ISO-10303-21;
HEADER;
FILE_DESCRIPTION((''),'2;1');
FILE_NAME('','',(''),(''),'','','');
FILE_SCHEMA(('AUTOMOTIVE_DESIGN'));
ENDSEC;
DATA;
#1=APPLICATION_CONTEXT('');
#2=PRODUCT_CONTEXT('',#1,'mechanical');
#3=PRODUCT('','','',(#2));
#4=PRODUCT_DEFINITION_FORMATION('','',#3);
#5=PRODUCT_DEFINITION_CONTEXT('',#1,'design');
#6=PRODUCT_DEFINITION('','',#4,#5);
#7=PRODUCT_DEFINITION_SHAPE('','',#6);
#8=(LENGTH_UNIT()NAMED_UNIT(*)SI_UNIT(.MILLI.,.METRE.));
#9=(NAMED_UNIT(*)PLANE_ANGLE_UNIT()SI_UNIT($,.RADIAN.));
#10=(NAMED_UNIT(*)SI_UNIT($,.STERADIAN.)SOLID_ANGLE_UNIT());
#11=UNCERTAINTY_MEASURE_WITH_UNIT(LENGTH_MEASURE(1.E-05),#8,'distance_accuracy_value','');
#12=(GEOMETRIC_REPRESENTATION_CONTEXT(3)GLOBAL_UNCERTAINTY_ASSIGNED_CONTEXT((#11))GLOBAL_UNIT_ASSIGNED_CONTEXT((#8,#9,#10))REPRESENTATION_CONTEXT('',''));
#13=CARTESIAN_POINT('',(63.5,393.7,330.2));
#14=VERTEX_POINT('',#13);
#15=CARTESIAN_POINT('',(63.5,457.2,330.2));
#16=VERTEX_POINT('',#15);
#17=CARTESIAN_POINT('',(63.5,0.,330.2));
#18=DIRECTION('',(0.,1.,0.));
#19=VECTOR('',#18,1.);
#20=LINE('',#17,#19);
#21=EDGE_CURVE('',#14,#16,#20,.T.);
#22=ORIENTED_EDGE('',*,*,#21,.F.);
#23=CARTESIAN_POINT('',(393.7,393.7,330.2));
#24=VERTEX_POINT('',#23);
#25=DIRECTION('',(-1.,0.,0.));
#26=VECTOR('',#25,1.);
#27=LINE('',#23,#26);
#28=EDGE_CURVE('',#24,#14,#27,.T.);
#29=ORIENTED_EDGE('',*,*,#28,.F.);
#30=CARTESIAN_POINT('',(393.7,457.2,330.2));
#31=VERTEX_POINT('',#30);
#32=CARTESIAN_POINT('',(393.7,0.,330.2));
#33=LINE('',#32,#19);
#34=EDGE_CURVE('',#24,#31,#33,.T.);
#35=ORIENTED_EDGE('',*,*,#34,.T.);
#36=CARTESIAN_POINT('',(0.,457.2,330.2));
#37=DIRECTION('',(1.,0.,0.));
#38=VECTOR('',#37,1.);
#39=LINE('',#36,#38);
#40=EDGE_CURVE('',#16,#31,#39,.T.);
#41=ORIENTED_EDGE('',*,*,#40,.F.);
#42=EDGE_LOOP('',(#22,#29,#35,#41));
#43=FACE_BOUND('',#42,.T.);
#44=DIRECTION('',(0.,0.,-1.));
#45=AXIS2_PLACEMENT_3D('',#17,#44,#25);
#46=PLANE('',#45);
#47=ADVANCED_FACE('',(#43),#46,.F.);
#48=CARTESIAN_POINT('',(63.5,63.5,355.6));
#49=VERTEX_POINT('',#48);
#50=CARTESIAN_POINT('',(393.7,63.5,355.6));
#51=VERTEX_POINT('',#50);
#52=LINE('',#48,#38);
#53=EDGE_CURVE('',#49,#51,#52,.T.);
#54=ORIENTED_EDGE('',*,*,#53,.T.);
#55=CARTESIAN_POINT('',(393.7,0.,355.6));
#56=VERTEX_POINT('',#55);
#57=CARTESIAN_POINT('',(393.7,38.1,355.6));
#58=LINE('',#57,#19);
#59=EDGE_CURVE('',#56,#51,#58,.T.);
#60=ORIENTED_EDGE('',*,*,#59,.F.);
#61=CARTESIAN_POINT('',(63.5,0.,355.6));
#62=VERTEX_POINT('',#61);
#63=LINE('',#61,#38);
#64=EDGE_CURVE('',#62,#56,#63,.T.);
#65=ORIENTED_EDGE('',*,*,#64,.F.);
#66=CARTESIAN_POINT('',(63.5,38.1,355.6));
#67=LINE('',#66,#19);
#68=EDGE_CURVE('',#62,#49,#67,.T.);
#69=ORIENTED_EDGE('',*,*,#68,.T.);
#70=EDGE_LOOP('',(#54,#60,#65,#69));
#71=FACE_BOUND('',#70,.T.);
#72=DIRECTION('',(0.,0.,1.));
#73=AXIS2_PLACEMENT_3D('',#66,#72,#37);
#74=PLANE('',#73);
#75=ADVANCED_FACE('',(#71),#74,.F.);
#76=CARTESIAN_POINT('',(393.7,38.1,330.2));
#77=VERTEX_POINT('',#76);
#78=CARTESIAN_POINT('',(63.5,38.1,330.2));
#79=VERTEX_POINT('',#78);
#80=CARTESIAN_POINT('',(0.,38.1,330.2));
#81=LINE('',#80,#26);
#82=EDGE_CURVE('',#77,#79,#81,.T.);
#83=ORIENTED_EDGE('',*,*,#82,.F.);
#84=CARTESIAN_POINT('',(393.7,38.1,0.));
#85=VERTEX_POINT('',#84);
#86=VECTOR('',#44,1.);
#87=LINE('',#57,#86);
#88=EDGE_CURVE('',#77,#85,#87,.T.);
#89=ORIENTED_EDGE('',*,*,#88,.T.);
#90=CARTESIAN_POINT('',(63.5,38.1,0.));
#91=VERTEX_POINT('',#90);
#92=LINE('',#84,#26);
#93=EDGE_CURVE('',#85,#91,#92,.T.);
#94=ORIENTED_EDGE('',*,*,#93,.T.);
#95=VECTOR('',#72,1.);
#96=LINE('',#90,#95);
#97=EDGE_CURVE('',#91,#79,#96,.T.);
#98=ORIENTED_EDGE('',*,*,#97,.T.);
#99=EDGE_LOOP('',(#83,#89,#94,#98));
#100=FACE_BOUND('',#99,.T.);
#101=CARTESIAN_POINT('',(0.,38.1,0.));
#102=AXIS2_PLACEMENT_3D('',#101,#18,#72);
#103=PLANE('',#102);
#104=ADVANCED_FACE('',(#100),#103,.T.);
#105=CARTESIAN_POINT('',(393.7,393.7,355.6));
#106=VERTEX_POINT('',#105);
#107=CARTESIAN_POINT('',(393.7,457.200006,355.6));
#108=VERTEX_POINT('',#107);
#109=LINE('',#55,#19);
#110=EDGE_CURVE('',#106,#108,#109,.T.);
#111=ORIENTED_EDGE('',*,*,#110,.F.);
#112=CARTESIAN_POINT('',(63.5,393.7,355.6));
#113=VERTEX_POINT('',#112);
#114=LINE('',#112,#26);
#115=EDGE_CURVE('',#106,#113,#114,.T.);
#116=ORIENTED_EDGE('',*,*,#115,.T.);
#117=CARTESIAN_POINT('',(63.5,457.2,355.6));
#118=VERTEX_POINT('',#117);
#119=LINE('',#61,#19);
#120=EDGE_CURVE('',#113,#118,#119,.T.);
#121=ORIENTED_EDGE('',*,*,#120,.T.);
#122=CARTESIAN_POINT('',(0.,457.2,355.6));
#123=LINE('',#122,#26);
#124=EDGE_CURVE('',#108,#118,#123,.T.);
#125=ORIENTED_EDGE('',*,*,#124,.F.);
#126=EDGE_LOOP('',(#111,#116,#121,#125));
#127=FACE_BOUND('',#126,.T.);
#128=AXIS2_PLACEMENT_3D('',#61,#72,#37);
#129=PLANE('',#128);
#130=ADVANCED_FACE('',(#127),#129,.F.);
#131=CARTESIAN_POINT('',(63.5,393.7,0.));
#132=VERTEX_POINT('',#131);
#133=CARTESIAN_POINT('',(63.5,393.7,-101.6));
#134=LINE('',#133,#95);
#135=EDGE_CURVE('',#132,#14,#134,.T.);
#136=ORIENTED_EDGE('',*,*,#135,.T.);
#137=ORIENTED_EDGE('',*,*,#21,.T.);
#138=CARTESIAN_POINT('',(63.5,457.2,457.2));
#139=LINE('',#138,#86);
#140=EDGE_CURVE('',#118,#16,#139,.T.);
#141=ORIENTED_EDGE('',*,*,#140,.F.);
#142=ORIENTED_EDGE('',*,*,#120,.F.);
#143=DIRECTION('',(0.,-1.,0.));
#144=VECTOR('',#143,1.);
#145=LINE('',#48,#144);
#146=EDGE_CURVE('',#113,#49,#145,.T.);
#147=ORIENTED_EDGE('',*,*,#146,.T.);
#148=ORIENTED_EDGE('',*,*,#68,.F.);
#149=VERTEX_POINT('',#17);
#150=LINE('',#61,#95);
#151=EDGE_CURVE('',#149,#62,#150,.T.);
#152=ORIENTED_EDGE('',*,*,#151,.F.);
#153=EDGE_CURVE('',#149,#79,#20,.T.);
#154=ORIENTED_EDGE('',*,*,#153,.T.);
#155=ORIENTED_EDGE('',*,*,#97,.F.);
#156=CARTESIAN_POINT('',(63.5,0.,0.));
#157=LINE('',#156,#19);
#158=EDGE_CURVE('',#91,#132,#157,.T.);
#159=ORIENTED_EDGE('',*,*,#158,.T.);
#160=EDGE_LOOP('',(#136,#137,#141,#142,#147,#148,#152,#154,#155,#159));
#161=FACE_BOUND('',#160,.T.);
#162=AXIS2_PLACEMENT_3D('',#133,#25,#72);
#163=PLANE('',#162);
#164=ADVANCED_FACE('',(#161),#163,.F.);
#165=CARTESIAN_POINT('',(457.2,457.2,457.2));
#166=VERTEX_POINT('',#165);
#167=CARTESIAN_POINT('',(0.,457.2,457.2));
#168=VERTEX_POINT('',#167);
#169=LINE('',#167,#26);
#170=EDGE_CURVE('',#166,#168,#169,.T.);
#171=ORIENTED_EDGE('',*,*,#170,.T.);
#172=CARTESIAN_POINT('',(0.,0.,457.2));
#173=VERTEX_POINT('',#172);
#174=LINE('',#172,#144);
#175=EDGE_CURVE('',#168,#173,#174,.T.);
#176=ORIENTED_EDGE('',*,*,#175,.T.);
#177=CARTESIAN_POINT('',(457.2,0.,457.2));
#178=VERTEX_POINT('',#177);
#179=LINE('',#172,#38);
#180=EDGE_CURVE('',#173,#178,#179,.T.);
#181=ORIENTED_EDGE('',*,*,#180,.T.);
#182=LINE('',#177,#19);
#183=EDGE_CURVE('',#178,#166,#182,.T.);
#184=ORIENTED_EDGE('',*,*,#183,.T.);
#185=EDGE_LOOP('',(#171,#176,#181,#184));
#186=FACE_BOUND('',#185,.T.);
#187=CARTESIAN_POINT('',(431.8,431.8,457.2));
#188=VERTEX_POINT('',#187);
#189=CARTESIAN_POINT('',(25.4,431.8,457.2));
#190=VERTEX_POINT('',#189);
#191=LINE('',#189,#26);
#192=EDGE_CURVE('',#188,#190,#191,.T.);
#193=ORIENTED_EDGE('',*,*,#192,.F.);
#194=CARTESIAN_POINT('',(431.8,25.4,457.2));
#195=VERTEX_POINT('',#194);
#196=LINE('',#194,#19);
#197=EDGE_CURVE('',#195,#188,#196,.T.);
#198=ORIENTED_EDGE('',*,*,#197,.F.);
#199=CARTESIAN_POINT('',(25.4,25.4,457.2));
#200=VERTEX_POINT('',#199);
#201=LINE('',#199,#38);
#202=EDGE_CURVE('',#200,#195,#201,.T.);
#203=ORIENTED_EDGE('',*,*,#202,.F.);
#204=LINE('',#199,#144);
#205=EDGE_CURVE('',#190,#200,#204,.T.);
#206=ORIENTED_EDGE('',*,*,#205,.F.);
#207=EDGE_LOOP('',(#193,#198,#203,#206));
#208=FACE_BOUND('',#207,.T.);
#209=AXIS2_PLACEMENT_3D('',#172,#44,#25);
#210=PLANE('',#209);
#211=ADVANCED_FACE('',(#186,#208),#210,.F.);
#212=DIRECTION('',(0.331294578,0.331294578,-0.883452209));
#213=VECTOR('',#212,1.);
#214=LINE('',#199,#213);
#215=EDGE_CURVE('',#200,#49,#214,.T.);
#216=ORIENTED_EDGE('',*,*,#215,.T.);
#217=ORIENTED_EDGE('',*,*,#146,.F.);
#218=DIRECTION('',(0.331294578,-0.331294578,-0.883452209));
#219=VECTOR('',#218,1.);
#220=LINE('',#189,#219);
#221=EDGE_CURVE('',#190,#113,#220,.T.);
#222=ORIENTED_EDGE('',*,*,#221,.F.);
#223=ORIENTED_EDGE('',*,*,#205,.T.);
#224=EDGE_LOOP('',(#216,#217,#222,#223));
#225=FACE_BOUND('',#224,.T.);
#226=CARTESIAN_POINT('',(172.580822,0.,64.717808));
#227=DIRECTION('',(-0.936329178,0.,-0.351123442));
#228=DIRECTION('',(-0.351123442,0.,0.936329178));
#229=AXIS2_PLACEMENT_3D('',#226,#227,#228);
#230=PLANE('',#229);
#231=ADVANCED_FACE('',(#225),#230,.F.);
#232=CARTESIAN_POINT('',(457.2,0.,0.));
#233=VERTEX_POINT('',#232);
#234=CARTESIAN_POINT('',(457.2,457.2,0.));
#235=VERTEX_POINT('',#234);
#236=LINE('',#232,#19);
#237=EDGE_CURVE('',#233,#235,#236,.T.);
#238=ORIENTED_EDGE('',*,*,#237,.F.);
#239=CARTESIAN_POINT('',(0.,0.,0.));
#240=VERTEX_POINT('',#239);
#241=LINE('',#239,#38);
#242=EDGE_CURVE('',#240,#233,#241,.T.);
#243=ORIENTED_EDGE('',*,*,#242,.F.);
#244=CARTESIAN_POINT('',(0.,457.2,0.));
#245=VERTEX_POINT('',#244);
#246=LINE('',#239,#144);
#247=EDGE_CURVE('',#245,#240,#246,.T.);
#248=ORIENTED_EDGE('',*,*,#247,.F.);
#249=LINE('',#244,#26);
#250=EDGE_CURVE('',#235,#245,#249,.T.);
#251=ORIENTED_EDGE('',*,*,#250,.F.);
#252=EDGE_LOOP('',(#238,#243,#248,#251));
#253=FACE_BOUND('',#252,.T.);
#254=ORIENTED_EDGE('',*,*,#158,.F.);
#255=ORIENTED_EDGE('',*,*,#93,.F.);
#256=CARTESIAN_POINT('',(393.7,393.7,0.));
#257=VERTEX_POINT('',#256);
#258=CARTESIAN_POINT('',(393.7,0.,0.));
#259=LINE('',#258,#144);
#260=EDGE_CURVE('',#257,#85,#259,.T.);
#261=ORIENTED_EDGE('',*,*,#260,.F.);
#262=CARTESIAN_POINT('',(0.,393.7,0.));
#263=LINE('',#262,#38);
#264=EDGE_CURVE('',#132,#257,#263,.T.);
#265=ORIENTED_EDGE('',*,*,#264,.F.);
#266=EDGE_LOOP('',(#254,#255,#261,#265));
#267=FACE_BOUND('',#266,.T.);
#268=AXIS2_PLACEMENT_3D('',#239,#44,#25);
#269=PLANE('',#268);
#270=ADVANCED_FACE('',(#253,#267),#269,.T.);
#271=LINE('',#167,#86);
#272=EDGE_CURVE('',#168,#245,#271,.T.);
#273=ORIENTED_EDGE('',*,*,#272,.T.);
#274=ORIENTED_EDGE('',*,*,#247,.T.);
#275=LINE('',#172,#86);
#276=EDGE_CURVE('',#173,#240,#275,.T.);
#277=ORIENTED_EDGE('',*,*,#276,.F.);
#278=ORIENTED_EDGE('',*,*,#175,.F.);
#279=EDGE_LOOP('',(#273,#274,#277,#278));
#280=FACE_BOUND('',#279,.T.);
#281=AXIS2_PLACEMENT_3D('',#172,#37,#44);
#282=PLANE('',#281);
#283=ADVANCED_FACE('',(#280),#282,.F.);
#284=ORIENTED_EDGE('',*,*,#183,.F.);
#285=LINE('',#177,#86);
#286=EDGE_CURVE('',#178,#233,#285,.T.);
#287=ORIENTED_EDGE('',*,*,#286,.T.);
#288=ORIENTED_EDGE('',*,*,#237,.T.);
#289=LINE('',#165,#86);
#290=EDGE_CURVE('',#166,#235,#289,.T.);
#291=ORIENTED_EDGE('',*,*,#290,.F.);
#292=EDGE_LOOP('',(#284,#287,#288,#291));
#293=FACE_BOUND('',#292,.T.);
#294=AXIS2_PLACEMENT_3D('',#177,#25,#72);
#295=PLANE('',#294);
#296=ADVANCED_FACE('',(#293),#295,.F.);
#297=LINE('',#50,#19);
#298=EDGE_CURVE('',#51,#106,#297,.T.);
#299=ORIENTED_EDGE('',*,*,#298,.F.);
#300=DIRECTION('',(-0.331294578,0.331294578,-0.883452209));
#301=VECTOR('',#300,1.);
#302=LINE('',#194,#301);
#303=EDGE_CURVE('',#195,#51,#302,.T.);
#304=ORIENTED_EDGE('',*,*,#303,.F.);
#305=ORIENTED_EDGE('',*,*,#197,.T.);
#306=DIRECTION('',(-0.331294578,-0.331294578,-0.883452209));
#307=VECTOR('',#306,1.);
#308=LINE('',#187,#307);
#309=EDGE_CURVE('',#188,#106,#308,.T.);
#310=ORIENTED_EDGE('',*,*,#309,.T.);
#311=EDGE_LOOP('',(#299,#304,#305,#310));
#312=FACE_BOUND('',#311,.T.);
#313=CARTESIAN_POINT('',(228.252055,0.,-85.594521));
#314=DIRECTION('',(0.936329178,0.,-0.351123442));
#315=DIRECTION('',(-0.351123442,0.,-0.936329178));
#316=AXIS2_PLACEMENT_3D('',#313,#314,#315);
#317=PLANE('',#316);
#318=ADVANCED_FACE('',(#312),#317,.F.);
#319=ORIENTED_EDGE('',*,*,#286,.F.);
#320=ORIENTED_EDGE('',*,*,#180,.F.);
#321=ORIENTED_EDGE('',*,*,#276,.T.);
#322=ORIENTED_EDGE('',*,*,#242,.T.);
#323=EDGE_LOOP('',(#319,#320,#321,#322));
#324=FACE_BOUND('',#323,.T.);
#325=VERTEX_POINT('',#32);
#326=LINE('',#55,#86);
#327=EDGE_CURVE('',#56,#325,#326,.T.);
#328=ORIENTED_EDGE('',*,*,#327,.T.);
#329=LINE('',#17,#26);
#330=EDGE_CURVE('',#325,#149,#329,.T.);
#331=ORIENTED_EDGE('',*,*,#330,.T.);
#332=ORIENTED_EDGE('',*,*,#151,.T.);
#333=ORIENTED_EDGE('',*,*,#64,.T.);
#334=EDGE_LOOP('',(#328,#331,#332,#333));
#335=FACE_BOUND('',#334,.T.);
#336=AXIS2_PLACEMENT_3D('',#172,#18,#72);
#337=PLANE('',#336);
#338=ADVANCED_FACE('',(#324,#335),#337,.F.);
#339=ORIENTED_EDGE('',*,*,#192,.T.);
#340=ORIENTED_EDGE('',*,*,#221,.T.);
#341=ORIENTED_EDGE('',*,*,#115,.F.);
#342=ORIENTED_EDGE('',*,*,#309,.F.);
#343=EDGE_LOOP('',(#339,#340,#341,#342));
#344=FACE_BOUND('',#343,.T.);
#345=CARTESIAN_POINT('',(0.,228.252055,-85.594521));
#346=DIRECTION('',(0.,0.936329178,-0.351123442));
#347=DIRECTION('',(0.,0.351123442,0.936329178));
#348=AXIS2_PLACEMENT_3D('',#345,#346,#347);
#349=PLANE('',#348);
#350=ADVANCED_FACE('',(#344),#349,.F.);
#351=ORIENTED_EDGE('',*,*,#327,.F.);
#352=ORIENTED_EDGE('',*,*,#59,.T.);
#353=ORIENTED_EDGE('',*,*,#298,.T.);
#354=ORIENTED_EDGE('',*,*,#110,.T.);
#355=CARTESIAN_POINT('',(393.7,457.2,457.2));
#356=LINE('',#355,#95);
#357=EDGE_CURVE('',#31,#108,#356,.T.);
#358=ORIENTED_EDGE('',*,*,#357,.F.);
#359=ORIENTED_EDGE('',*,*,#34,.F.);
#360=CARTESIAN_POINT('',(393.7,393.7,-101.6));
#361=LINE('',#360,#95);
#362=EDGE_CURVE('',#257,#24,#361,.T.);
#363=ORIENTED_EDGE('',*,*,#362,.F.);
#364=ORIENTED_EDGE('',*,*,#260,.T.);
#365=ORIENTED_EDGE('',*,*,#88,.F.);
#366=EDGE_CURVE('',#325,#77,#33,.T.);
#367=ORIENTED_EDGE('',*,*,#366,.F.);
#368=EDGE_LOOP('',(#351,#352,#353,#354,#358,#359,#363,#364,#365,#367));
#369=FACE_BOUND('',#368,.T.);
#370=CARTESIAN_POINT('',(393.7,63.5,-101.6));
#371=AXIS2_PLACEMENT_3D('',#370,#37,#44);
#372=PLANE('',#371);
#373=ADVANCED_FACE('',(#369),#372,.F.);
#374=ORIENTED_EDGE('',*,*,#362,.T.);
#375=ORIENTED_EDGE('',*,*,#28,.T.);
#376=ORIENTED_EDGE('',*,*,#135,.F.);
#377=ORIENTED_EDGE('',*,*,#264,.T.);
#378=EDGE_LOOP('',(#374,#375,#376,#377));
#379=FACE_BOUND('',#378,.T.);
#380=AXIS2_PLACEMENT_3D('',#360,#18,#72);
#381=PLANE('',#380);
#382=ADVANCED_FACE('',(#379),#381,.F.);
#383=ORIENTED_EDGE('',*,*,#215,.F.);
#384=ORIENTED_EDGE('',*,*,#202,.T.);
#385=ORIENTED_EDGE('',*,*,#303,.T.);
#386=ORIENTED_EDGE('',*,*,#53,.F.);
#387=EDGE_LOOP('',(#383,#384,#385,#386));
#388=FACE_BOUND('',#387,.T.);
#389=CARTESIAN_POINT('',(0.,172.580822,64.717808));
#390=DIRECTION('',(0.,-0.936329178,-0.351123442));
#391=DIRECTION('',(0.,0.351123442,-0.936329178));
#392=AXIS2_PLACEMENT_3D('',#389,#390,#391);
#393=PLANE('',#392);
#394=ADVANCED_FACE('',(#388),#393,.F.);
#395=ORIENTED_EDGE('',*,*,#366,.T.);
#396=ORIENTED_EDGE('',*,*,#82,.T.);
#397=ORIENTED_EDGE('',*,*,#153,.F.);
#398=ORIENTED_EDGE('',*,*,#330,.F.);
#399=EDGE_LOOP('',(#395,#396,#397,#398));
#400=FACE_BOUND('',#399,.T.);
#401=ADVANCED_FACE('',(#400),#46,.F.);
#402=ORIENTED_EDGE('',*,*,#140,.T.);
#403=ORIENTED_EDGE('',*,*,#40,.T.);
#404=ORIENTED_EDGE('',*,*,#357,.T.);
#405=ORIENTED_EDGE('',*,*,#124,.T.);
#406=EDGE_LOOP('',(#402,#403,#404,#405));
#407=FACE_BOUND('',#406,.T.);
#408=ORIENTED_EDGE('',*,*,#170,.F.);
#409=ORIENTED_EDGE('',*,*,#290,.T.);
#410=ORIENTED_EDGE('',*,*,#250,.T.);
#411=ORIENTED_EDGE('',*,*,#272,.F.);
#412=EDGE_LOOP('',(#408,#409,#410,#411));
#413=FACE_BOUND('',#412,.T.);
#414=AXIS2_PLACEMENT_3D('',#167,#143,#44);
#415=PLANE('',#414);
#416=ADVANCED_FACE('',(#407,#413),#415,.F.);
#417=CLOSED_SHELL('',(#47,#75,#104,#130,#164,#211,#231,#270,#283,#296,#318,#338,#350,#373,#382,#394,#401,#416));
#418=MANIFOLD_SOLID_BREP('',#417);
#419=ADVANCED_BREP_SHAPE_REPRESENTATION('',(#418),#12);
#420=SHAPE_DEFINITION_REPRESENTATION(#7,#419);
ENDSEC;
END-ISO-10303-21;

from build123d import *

# Parameters (mm, degrees)
SKETCH1_W               = 457.2
SKETCH1_H               = 457.2
BOSS_EXTRUDE1_DEPTH     = 457.2
SKETCH4_W               = 330.2
SKETCH4_H               = 330.2
CUT_EXTRUDE1_DEPTH      = 457.2
SKETCH5_W               = 330.2
SKETCH5_H               = 355.6
CUT_EXTRUDE2_DEPTH      = 25.4
CUT_EXTRUDE3_DEPTH      = 792.893629278
CUT_EXTRUDE3_DEPTH_BACK = 792.893629278
SKETCH7_W               = 330.2
SKETCH7_H               = 25.4


with BuildPart() as part:
    # Sketch1 → Boss-Extrude1 (new body)
    with BuildSketch(Plane.XY):
        with Locations((228.6, 228.6)):
            Rectangle(SKETCH1_W, SKETCH1_H)
    extrude(amount=BOSS_EXTRUDE1_DEPTH)

    # Sketch2 → Cut-Loft1 section 0
    with BuildSketch(Plane.XY.offset(457.2)):
        with BuildLine():
            Line((25.4, 25.4), (431.8, 25.4))
            Line((431.8, 25.4), (431.8, 431.8))
            Line((431.8, 431.8), (25.4, 431.8))
            Line((25.4, 431.8), (25.4, 25.4))
        make_face()
    # Sketch3 → Cut-Loft1 section 1
    with BuildSketch(Plane.XY.offset(355.6)):
        with BuildLine():
            Line((63.5, 63.5), (393.7, 63.5))
            Line((393.7, 63.5), (393.7, 393.7))
            Line((393.7, 393.7), (63.5, 393.7))
            Line((63.5, 393.7), (63.5, 63.5))
        make_face()
    loft(mode=Mode.SUBTRACT)

    # Sketch4 → Cut-Extrude1 (cut)
    with BuildSketch(Plane.XY.offset(355.6)):
        with Locations((228.6, 228.6)):
            Rectangle(SKETCH4_W, SKETCH4_H)
    extrude(amount=-CUT_EXTRUDE1_DEPTH, mode=Mode.SUBTRACT)

    # Sketch5 → Cut-Extrude2 (cut)
    with BuildSketch(Plane(origin=(0, 63.5, 0), x_dir=(1, 0, 0), z_dir=(0, 1, 0))):
        with Locations((228.6, -177.8)):
            Rectangle(SKETCH5_W, SKETCH5_H)
    extrude(amount=-CUT_EXTRUDE2_DEPTH, mode=Mode.SUBTRACT)

    # Sketch7 → Cut-Extrude3 (cut, two sides: drawn at the far end of the back side and taken through both)
    with BuildSketch(Plane(origin=(0, 457.2, 0), x_dir=(1, 0, 0), z_dir=(0, 1, 0)).offset(-CUT_EXTRUDE3_DEPTH_BACK)):
        with Locations((228.6, -342.9)):
            Rectangle(SKETCH7_W, SKETCH7_H)
    extrude(amount=CUT_EXTRUDE3_DEPTH + CUT_EXTRUDE3_DEPTH_BACK, mode=Mode.SUBTRACT)


solid = part.part
